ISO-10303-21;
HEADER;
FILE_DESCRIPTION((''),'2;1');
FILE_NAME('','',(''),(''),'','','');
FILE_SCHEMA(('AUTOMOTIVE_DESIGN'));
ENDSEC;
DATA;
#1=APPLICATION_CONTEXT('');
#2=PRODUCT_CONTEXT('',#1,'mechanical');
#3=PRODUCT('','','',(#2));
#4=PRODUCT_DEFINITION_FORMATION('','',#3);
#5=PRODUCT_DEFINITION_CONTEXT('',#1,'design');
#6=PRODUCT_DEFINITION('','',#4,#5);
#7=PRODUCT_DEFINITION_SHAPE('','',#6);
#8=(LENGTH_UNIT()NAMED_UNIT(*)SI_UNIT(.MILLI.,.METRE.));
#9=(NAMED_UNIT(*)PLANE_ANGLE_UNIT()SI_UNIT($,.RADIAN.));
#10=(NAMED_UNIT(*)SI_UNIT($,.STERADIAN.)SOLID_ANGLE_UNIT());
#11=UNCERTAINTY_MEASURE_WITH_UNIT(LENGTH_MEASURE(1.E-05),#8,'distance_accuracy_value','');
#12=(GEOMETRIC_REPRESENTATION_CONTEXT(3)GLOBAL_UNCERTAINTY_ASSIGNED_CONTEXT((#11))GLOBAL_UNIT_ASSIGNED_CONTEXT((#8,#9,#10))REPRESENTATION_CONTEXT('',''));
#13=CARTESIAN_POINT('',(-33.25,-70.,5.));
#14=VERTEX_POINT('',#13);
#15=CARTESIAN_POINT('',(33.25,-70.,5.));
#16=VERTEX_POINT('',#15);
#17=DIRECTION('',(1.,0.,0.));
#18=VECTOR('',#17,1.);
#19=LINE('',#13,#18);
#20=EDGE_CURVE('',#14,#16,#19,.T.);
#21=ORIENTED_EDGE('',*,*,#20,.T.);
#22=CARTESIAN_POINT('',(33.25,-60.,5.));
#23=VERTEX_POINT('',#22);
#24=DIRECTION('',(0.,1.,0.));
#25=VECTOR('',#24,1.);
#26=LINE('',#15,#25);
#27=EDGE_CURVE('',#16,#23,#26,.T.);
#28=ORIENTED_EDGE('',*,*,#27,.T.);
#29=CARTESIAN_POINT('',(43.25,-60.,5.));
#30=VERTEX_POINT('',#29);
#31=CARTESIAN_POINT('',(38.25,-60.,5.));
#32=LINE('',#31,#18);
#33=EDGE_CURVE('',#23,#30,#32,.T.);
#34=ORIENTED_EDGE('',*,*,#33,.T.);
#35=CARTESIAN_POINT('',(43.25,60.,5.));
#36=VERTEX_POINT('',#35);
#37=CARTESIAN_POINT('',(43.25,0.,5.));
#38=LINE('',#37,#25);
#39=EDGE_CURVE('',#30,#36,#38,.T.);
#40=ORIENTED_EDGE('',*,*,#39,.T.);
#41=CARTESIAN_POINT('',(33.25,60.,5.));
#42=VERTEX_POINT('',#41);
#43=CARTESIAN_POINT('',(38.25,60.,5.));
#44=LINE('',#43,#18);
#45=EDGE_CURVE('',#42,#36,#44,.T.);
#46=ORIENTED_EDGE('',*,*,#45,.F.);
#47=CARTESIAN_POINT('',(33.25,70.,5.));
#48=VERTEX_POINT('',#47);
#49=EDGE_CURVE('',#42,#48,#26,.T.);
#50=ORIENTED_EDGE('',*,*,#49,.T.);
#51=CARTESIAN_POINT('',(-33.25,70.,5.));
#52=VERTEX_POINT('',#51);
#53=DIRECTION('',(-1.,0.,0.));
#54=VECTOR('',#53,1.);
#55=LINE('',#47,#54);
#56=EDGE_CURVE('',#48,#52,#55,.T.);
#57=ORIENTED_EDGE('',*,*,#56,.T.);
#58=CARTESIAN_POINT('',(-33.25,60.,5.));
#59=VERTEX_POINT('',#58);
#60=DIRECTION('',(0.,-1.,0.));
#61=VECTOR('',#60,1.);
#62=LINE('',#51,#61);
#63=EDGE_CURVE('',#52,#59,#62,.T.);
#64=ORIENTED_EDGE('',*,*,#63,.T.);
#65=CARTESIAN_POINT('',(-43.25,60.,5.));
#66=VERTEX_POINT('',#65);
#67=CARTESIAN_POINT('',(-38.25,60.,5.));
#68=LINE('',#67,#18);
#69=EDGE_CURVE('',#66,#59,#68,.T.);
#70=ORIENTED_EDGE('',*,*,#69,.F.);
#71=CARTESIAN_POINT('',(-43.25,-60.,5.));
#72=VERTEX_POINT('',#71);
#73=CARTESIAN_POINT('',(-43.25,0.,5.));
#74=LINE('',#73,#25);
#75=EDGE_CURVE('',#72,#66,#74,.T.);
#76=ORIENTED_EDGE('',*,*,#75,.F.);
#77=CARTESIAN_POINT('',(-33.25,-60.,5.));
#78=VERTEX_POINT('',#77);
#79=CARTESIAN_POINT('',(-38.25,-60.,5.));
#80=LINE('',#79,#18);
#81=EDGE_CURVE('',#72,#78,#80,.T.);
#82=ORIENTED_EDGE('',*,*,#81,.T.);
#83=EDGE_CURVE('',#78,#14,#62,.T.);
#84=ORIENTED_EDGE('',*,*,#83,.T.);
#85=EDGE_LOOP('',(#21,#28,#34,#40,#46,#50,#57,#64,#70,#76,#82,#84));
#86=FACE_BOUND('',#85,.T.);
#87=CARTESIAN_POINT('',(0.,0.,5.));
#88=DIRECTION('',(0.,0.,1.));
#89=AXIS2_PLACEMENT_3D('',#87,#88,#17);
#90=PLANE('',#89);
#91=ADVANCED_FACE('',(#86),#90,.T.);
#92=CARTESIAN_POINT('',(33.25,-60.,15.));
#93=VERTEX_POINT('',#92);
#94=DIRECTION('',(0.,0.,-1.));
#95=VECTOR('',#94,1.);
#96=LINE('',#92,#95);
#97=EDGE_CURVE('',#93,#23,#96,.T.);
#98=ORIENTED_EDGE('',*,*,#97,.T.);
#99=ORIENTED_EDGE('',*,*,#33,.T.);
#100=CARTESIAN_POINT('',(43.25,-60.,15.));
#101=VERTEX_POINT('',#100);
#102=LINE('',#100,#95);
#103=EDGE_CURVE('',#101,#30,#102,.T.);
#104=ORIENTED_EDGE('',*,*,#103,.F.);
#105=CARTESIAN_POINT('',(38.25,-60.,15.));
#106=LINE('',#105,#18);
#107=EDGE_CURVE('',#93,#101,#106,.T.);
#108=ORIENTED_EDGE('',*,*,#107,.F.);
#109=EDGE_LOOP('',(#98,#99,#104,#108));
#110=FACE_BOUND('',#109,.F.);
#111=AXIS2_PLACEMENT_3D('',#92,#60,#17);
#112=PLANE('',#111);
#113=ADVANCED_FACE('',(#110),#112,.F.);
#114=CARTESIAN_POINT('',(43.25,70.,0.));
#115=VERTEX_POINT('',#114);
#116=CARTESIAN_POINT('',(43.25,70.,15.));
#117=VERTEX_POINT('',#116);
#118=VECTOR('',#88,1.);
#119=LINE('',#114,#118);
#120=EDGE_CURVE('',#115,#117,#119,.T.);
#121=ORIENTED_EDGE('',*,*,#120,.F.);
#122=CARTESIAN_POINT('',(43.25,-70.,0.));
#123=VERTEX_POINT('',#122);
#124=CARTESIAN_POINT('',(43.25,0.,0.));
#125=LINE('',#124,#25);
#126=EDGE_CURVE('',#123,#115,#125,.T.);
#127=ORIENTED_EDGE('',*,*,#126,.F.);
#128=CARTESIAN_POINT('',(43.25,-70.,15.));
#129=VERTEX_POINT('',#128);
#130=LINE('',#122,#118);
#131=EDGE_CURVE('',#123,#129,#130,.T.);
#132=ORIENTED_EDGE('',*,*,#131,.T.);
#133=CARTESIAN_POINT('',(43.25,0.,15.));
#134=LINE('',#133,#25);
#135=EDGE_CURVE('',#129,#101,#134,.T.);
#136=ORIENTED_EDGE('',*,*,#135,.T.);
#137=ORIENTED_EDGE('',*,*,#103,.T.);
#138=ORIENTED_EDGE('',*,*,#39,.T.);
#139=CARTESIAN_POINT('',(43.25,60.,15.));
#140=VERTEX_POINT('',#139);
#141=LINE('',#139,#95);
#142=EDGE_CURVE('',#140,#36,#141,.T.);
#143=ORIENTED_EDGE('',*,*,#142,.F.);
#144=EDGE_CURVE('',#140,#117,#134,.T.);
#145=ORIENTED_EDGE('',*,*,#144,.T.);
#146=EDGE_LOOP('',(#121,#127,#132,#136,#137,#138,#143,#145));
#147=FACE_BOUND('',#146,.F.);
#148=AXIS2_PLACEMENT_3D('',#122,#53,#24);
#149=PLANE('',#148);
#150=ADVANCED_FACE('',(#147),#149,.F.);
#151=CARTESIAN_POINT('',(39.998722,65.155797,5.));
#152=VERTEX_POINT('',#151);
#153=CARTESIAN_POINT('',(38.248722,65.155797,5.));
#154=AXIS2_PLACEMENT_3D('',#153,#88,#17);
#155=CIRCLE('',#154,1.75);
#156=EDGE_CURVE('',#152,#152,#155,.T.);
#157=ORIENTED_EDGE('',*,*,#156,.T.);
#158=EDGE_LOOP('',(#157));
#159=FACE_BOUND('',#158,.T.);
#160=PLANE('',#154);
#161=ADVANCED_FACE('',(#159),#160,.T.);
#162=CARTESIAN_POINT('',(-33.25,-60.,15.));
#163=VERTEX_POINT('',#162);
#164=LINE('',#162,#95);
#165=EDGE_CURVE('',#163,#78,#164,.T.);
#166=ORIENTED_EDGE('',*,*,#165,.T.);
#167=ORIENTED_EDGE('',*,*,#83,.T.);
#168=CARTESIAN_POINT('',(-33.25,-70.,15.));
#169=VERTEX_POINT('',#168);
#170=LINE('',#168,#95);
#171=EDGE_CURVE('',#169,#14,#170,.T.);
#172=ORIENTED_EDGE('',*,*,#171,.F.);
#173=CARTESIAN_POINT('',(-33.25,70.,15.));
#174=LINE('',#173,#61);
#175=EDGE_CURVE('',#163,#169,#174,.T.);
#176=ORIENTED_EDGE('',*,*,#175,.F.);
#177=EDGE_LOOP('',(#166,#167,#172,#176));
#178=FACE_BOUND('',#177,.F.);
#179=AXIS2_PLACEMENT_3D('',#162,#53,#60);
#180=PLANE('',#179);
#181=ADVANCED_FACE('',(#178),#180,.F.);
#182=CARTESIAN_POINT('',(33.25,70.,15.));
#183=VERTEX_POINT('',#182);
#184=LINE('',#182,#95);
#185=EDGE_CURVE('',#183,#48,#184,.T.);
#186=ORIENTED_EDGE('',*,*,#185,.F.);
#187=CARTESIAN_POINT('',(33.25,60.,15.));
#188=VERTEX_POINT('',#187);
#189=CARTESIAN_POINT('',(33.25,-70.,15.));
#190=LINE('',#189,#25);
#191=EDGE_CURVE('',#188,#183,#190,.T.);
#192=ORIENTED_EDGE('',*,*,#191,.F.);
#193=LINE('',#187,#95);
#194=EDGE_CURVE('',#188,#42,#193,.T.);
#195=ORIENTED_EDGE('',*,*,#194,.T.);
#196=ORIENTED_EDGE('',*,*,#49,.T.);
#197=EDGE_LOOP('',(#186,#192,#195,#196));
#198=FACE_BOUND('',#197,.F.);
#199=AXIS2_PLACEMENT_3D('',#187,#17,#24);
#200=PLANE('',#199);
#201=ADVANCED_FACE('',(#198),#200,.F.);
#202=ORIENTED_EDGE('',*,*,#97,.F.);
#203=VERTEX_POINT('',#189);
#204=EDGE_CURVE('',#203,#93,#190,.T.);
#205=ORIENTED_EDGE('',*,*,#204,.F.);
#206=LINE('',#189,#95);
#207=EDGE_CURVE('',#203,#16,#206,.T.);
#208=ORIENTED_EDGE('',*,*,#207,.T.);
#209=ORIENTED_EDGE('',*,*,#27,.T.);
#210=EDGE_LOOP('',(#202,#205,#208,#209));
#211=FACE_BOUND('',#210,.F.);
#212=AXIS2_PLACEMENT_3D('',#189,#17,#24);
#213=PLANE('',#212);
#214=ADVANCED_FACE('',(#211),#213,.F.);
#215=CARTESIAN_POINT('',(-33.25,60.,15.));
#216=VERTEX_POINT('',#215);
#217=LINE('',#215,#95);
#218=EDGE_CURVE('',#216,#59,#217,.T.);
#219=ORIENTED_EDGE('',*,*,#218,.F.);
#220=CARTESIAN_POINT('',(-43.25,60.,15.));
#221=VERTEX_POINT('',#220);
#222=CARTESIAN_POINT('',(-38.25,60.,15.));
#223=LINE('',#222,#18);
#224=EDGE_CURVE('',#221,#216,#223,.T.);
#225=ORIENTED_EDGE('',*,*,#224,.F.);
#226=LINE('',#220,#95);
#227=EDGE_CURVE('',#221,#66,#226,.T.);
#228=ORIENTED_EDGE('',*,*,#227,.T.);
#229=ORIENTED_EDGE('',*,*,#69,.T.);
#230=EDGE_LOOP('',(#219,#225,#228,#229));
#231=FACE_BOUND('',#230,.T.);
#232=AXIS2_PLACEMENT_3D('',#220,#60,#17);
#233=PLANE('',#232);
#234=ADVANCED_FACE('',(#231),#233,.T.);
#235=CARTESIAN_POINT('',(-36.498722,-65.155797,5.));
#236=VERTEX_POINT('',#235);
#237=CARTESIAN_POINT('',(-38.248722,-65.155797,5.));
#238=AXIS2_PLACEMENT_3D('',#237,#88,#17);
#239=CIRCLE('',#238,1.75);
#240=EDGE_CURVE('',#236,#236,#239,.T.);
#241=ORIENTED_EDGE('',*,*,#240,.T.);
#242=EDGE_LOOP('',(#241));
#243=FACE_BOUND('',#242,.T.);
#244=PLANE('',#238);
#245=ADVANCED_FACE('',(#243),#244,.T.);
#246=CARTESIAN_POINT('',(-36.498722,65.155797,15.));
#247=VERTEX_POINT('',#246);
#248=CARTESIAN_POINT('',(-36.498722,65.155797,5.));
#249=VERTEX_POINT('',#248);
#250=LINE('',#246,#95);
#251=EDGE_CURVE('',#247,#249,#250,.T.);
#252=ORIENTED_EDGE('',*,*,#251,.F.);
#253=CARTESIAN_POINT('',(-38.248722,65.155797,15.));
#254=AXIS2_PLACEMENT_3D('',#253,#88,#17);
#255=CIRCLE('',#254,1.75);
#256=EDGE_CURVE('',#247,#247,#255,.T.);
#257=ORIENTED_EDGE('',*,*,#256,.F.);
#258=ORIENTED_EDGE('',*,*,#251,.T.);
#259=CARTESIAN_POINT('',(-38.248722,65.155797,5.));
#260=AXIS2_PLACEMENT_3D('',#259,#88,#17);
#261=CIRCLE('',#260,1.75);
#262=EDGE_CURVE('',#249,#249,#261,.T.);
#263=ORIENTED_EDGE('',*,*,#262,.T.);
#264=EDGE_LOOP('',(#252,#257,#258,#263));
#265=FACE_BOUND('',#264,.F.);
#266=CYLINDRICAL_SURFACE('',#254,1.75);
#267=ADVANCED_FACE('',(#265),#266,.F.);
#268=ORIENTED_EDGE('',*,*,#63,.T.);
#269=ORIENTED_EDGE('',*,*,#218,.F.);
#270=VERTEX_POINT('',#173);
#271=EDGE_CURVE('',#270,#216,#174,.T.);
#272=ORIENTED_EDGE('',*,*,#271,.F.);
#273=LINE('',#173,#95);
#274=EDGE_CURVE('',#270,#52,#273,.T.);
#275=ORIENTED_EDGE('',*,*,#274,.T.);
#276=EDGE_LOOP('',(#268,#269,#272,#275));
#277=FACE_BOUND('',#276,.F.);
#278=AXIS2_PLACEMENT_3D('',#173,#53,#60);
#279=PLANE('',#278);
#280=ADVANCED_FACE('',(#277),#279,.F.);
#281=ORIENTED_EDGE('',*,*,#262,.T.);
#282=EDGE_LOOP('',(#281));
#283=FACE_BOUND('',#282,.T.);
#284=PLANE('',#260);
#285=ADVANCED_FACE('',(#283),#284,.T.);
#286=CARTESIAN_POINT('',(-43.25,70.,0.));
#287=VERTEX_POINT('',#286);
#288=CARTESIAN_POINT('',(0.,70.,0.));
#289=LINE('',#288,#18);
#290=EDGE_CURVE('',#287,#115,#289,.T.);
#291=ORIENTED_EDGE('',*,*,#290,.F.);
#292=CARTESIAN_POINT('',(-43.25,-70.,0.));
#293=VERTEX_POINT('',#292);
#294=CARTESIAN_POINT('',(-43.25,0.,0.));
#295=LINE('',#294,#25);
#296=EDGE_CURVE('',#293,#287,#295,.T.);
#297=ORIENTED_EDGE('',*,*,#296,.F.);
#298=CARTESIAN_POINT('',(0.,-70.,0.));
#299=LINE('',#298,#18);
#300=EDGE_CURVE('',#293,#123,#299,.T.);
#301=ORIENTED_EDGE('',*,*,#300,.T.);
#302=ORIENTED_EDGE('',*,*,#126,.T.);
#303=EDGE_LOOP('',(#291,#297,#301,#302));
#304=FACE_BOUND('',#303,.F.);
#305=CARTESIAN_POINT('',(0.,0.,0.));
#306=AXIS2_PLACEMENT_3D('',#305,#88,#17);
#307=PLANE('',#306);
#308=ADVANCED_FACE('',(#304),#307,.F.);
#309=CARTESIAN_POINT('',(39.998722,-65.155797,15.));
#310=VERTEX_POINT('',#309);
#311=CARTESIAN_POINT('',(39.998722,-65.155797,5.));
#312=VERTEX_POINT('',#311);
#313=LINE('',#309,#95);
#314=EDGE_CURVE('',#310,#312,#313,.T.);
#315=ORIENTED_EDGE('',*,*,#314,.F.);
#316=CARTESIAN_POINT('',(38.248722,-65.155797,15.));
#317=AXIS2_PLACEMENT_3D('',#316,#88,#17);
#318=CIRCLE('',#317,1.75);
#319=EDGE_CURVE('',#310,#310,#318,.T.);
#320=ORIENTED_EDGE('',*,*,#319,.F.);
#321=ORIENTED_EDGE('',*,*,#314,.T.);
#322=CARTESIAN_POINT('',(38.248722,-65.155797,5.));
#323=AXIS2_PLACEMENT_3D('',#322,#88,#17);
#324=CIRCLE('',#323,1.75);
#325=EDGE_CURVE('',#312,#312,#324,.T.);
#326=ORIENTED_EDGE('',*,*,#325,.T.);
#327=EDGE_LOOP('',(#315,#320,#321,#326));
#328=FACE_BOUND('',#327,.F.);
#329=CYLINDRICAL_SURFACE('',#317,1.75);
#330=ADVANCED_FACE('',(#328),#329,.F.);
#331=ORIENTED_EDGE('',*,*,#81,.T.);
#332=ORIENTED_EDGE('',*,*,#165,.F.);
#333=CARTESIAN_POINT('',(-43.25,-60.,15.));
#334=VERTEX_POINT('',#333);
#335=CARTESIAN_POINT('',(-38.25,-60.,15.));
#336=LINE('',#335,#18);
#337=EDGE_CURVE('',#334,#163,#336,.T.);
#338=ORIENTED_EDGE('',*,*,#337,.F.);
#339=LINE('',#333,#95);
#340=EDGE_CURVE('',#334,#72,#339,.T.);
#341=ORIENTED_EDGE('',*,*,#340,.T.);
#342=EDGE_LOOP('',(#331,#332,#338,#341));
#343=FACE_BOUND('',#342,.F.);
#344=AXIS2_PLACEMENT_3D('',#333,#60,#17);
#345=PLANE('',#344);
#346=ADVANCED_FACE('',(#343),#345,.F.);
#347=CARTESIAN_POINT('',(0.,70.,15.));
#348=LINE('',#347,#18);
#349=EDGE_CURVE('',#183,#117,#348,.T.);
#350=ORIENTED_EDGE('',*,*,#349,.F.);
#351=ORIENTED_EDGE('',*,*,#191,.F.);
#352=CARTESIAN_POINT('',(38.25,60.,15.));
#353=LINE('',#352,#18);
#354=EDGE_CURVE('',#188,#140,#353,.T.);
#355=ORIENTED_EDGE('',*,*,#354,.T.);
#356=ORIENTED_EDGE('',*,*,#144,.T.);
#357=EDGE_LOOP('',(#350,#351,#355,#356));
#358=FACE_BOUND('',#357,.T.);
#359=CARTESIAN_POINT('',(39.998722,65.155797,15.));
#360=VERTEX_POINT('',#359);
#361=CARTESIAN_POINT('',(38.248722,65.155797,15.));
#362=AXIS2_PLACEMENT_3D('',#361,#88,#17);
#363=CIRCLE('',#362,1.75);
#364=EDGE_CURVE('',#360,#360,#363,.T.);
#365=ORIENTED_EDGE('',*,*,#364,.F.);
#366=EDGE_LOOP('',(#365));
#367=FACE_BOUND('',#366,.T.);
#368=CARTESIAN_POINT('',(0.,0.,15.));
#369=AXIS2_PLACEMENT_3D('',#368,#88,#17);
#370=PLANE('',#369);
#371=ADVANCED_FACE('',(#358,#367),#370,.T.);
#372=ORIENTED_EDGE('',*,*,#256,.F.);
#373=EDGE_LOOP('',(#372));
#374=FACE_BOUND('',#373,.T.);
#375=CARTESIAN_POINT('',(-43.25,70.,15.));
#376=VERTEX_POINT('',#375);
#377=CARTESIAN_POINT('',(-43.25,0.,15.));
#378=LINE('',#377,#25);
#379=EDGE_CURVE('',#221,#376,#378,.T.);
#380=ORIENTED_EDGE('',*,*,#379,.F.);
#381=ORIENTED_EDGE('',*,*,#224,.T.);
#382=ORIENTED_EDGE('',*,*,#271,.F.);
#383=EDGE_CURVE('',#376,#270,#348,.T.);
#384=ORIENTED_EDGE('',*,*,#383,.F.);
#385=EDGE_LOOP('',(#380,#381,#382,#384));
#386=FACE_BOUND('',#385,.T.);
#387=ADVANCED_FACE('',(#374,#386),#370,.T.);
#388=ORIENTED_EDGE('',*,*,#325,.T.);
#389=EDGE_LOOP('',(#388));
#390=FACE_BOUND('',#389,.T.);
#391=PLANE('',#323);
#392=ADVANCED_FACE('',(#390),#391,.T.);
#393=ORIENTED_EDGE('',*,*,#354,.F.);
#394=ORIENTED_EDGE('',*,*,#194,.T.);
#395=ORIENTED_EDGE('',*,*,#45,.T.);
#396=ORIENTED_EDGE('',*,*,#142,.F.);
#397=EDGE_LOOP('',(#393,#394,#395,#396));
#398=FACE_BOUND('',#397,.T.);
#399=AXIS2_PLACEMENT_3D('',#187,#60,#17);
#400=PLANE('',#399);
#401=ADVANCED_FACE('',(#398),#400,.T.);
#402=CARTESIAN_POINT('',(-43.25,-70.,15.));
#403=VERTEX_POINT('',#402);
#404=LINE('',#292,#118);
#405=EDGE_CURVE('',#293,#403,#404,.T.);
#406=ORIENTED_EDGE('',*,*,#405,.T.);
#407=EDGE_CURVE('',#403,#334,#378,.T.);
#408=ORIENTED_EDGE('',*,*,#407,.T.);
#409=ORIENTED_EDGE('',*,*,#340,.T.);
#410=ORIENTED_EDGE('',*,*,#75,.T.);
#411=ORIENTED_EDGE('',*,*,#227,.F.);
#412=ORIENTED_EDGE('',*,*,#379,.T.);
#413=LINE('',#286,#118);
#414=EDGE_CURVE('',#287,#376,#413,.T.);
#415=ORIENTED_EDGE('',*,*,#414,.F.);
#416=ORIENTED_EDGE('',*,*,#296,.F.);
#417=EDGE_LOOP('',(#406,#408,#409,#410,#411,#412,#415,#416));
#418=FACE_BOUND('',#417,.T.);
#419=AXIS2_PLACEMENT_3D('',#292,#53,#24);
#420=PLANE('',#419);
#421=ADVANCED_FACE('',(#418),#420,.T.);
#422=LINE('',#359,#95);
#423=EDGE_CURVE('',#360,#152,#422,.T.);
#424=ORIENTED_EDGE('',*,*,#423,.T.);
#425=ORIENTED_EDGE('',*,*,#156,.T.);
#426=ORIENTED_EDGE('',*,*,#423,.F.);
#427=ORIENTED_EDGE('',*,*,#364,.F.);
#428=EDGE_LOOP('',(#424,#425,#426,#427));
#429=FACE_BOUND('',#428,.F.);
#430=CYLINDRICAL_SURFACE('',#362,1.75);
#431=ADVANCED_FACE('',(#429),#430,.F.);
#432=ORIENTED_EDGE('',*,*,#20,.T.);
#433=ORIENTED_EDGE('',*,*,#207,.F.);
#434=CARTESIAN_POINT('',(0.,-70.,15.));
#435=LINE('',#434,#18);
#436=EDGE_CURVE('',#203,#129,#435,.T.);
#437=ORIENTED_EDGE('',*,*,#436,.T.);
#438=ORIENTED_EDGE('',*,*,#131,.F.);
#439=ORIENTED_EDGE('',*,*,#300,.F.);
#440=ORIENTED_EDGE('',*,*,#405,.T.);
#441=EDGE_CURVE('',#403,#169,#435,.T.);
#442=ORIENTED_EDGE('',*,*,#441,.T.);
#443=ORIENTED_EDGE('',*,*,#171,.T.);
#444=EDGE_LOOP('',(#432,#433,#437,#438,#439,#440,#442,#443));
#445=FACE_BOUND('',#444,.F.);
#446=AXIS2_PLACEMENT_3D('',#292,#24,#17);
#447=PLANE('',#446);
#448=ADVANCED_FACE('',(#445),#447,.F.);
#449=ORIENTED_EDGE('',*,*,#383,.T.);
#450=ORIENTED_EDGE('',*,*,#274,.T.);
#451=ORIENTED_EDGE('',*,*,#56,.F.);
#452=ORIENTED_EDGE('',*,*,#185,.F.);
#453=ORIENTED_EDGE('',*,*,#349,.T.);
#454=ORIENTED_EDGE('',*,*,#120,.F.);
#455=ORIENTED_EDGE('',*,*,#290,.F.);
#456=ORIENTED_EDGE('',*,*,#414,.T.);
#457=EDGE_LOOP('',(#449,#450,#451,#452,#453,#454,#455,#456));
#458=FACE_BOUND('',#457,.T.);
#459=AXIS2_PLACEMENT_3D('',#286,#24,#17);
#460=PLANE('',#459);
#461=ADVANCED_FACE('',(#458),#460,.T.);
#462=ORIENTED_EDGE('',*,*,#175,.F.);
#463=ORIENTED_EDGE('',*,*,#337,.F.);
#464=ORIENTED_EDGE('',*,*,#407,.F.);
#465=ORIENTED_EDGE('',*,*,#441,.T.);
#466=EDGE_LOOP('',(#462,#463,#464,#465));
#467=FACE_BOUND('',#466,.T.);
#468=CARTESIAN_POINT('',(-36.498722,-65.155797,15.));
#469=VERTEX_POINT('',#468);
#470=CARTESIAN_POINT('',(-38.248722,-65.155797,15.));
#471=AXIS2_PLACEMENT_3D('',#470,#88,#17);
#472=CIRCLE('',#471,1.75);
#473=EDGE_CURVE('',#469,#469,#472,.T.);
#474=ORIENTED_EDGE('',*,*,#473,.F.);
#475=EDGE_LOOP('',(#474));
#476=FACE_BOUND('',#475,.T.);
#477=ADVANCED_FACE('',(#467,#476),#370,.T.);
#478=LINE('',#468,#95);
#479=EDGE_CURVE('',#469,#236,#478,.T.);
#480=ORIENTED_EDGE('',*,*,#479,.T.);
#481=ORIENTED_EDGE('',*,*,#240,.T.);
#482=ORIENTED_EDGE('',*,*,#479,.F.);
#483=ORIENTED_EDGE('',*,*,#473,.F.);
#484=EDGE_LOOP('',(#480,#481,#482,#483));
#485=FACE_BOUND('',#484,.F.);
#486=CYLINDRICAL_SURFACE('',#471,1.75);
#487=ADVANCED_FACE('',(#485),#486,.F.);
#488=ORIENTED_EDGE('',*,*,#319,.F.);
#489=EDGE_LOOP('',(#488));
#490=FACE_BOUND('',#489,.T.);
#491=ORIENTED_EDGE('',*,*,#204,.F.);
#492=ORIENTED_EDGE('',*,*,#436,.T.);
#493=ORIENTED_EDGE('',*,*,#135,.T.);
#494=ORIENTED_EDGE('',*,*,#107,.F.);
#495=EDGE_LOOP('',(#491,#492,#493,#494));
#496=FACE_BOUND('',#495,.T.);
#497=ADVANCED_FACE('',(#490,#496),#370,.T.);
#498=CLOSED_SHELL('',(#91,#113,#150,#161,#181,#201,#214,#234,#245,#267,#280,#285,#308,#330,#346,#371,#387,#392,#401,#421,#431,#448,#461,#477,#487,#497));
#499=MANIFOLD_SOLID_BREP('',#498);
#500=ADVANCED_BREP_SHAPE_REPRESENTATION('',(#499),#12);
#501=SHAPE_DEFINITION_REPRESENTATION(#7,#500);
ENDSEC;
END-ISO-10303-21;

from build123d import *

# Parameters (mm, degrees)
F0_W     = 86.5
F0_H     = 140
F1_DEPTH = 15
F2_W     = 10
F2_H     = 120
F2_R     = 1.75
F3_DEPTH = 10


with BuildPart() as f1:
    # F0 (on Top) → F1 (new body)
    with BuildSketch(Plane.XY):
        Rectangle(F0_W, F0_H)
    extrude(amount=F1_DEPTH)

    # F2 (on face) → F3 (cut)
    with BuildSketch(Plane.XY.offset(15)):
        Polygon((-33.25, -70), (33.25, -70), (33.25, -60), (33.25, 60), (33.25, 70), (-33.25, 70), (-33.25, 60), (-33.25, -60), align=None)
        with Locations((38.25, 0)):
            Rectangle(F2_W, F2_H)
        with Locations((-38.25, 0)):
            Rectangle(F2_W, F2_H)
        with Locations((-38.248722, 65.155797)):
            Circle(F2_R)
        with Locations((38.248722, 65.155797)):
            Circle(F2_R)
        with Locations((-38.248722, -65.155797)):
            Circle(F2_R)
        with Locations((38.248722, -65.155797)):
            Circle(F2_R)
    extrude(amount=-F3_DEPTH, mode=Mode.SUBTRACT)


solid = f1.part
